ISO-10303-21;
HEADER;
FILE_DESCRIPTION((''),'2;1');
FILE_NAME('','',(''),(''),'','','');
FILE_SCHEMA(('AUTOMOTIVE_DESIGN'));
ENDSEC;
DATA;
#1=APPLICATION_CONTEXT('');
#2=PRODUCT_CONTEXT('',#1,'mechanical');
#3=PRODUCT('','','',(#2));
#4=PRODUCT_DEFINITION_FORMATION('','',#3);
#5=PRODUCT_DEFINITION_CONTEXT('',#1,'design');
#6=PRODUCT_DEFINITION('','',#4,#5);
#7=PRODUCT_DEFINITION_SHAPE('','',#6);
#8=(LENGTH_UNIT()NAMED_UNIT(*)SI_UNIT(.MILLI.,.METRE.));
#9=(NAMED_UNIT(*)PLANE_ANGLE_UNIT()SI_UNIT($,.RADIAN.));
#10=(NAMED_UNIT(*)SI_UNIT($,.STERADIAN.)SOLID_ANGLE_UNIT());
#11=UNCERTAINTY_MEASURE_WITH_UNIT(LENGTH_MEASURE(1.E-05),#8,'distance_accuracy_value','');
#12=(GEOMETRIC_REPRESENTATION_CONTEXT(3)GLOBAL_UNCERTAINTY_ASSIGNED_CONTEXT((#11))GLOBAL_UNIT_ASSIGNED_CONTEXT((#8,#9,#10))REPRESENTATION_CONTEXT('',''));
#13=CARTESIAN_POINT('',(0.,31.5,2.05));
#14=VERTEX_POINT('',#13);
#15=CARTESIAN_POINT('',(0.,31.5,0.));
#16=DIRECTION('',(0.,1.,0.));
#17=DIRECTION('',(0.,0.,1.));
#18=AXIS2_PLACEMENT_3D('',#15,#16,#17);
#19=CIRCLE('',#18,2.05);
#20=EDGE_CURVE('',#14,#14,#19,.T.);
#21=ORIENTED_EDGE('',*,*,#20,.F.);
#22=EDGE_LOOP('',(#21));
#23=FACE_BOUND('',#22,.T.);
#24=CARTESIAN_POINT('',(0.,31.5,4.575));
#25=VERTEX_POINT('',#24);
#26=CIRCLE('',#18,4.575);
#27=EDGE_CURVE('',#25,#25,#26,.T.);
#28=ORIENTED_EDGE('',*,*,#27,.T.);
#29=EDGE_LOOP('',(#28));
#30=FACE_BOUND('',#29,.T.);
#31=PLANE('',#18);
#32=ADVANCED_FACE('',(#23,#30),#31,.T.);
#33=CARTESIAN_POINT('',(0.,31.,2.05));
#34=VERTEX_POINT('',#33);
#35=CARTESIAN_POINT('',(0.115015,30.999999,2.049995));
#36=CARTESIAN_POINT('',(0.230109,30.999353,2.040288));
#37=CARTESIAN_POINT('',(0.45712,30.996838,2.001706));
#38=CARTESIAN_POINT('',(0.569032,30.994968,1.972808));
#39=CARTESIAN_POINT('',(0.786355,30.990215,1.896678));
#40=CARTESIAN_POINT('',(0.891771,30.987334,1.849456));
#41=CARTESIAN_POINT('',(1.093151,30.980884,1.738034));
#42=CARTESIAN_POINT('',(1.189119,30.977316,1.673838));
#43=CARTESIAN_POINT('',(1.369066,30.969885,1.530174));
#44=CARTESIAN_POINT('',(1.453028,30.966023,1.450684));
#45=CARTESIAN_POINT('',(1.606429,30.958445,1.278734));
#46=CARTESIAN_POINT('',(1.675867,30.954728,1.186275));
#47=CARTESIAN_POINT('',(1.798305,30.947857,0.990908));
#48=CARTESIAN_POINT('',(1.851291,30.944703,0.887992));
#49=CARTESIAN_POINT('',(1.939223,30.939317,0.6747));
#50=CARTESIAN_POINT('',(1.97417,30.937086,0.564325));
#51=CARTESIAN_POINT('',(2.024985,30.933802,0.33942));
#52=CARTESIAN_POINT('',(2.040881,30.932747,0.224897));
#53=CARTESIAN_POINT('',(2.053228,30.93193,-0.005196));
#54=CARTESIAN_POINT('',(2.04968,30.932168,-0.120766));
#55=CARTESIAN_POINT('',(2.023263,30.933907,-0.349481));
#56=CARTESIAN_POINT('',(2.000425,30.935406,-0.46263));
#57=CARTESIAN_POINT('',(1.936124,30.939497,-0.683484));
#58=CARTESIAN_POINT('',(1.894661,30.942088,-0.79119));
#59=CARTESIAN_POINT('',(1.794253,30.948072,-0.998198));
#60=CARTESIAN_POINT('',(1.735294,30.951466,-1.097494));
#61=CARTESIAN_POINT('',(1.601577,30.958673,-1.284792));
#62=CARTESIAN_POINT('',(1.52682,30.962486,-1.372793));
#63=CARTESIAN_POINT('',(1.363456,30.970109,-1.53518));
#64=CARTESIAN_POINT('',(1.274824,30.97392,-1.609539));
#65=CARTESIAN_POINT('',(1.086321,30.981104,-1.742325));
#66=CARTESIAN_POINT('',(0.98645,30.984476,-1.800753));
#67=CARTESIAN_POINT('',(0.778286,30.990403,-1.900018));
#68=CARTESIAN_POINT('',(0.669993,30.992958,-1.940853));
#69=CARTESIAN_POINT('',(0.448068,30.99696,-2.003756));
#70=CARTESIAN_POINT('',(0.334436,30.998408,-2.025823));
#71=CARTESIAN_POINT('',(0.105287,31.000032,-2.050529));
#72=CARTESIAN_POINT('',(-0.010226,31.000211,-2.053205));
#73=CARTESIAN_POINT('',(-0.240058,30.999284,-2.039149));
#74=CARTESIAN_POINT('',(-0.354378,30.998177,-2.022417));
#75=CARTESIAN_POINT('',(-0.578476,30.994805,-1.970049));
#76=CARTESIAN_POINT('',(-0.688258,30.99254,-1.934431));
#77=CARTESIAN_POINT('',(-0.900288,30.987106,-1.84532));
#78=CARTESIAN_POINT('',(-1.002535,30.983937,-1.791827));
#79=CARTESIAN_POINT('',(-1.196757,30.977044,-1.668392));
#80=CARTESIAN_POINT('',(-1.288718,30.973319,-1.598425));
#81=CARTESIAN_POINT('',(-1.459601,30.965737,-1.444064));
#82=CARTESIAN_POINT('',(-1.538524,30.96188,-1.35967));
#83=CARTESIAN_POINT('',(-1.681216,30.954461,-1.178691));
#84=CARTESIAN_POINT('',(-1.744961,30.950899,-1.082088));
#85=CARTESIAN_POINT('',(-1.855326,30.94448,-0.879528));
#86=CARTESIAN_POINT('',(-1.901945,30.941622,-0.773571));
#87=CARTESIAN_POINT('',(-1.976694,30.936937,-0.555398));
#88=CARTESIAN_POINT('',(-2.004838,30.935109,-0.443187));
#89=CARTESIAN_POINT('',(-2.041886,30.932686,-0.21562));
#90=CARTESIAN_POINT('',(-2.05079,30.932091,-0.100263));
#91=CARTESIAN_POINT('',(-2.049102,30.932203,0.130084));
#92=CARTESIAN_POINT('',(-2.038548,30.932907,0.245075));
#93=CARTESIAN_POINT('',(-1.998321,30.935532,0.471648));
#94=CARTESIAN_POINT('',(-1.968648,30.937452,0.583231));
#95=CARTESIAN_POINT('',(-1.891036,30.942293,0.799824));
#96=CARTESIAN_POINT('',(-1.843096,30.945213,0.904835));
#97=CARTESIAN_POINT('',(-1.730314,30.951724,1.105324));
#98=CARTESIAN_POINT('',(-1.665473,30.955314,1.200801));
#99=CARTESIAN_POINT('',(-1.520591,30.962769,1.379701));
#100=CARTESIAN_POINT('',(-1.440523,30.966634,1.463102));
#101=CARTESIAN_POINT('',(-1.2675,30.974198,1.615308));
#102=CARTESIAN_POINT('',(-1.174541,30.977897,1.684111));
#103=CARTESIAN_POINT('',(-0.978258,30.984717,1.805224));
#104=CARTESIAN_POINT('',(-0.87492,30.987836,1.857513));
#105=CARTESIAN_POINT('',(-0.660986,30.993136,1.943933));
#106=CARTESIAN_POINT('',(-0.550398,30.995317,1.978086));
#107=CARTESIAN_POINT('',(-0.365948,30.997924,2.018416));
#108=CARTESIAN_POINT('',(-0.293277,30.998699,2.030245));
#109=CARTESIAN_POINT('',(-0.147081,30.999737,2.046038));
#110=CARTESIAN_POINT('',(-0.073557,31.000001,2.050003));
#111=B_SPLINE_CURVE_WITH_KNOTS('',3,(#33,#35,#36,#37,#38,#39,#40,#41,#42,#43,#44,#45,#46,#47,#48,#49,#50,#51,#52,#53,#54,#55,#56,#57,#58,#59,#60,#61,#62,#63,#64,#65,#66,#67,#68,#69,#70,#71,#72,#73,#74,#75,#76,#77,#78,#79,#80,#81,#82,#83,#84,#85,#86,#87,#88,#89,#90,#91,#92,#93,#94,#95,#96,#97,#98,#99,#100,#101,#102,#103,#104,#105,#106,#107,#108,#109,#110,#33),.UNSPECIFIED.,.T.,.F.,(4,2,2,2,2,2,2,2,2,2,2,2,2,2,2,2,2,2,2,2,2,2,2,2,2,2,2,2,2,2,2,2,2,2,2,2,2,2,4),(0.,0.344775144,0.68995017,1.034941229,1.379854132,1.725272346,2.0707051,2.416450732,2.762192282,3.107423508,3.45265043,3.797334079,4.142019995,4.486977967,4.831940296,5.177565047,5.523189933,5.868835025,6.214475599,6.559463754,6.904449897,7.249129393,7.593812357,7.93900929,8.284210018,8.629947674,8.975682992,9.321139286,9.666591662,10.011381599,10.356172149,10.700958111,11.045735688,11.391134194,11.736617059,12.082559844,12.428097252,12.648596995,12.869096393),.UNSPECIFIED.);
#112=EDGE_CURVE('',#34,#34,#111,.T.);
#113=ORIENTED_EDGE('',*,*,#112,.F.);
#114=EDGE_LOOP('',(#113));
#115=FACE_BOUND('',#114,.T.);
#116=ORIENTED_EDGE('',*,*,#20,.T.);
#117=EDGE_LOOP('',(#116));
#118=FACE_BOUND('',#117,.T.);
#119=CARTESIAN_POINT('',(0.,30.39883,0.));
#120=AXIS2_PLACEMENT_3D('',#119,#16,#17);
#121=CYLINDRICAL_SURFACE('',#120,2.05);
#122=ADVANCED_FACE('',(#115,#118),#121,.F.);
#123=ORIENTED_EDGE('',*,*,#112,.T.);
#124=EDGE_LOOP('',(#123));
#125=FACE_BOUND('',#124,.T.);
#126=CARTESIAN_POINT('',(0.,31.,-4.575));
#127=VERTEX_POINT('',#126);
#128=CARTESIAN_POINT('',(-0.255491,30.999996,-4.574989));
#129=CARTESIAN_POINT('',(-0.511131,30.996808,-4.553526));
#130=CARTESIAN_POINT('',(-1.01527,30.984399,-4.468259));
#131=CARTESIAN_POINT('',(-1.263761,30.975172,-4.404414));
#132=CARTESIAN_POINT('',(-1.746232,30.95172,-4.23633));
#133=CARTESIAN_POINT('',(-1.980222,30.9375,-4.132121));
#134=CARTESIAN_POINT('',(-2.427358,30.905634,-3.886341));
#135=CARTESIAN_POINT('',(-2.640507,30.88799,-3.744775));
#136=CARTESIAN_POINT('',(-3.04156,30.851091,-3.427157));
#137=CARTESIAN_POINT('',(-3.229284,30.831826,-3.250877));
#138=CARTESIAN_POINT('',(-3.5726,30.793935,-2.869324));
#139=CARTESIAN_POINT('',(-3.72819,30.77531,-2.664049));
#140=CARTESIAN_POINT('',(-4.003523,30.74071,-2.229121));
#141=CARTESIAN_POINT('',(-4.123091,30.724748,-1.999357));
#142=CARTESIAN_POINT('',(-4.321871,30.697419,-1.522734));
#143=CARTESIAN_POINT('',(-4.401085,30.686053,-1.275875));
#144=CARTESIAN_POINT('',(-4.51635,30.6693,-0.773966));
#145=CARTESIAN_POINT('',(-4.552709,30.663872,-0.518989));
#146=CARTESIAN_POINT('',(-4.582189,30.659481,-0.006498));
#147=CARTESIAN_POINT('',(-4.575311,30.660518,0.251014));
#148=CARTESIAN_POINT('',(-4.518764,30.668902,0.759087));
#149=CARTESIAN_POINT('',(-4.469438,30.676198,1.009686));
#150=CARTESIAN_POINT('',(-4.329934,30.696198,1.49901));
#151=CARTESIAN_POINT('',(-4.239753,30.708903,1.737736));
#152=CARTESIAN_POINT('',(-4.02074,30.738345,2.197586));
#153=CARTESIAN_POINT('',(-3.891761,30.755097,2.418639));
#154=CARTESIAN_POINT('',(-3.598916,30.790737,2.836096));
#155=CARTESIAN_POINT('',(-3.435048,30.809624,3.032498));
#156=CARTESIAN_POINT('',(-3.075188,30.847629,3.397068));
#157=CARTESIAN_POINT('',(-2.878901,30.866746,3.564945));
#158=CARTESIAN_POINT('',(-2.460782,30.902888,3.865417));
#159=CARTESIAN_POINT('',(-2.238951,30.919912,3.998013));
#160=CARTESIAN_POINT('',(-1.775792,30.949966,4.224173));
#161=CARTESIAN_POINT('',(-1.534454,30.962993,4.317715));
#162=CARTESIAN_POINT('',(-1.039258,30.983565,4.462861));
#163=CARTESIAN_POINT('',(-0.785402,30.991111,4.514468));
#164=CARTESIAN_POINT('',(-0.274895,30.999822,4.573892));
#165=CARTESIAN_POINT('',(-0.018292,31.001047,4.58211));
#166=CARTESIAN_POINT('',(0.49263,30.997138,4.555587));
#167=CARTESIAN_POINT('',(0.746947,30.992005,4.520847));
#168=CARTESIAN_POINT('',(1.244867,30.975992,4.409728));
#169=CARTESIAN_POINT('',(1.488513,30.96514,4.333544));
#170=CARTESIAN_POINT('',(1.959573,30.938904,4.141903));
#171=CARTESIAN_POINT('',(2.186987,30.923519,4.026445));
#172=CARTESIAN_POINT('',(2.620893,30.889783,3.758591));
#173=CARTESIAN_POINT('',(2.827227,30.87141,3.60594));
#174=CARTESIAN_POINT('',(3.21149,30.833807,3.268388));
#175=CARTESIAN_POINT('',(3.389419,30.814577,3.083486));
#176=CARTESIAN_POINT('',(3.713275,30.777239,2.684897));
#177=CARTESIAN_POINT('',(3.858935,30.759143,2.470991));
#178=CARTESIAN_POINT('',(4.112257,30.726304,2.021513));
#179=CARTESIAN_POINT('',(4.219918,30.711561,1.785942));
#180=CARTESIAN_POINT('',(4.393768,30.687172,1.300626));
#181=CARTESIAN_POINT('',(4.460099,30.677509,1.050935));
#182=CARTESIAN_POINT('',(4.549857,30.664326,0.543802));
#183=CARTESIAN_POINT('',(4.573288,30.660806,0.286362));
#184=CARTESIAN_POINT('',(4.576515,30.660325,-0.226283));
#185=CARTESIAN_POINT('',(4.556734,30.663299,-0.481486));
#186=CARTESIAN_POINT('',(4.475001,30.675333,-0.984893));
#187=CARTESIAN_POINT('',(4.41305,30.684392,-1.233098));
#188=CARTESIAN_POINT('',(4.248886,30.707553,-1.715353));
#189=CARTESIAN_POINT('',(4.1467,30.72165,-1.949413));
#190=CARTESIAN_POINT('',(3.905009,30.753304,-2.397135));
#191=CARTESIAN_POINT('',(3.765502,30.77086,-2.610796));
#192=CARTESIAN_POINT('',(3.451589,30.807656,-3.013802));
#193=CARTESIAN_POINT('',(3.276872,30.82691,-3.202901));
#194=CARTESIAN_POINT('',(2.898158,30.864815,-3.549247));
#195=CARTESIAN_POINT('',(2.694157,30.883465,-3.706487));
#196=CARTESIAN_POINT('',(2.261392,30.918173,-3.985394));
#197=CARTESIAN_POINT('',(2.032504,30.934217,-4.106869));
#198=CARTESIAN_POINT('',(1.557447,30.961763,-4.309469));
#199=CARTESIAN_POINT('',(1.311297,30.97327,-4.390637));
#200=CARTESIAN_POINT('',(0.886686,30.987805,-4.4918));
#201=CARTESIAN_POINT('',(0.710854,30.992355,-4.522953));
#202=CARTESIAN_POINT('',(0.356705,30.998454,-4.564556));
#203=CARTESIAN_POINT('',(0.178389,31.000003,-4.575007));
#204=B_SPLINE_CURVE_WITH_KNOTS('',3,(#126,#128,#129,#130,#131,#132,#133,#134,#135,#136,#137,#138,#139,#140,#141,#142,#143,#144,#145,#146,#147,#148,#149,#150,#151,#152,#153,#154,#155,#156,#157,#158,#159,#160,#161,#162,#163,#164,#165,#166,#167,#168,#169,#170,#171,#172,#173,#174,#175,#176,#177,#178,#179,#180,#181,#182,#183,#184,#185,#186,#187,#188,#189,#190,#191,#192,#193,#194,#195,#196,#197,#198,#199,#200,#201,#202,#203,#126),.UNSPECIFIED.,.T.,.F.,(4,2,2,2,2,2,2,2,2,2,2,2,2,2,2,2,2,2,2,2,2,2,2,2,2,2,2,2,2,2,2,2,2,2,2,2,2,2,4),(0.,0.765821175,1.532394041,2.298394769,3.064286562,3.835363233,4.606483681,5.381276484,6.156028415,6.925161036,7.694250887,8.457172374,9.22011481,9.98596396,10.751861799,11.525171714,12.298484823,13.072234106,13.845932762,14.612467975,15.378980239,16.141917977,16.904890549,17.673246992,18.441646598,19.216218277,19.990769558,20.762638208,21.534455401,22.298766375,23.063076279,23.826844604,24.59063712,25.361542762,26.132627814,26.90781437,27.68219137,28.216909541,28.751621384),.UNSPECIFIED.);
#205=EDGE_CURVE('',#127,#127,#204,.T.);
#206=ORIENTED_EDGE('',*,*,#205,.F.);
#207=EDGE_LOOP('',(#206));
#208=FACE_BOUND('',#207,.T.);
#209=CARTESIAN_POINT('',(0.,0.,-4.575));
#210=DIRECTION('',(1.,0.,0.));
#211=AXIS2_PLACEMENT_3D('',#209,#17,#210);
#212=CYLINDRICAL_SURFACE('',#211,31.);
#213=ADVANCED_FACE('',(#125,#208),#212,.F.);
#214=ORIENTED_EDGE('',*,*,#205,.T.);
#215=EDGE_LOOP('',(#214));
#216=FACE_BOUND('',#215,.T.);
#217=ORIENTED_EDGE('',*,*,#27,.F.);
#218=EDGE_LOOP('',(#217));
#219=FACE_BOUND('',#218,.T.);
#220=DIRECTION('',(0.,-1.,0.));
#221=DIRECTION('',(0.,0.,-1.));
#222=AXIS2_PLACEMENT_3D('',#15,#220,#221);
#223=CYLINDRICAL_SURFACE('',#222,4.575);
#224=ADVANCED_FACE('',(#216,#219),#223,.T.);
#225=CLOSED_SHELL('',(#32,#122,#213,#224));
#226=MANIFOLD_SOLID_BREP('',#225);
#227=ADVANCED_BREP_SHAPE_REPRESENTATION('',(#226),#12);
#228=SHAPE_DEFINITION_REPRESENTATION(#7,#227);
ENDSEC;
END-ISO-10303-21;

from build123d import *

# Parameters (mm, degrees)
SKETCH2_R               = 4.575
BOSS_EXTRUDE1_DEPTH     = 31.5
CUT_EXTRUDE1_DEPTH      = 33.15760019
CUT_EXTRUDE1_DEPTH_BACK = 33.15760019
SKETCH1_R               = 31
CUT_EXTRUDE2_DEPTH      = 7.524256813
CUT_EXTRUDE2_DEPTH_BACK = 7.524256813
SKETCH3_R               = 2.05


with BuildPart() as part:
    # Sketch2 → Boss-Extrude1 (new body)
    with BuildSketch(Plane(origin=(0, 0, 0), x_dir=(-1, 0, 0), z_dir=(0, 1, 0))):
        with Locations(Location((0, 0, 0), (0, 0, 90))):
            Circle(SKETCH2_R)
    extrude(amount=BOSS_EXTRUDE1_DEPTH)

    # Sketch1 → Cut-Extrude1 (cut, two sides: drawn at the far end of the back side and taken through both)
    with BuildSketch(Plane(origin=(0, 0, 0), x_dir=(0, 1, 0), z_dir=(0, 0, 1)).offset(-CUT_EXTRUDE1_DEPTH_BACK)):
        Circle(SKETCH1_R)
    extrude(amount=CUT_EXTRUDE1_DEPTH + CUT_EXTRUDE1_DEPTH_BACK, mode=Mode.SUBTRACT)

    # Sketch3 → Cut-Extrude2 (cut, two sides: drawn at the far end of the back side and taken through both)
    with BuildSketch(Plane(origin=(0, 31.5, 0), x_dir=(-1, 0, 0), z_dir=(0, 1, 0)).offset(-CUT_EXTRUDE2_DEPTH_BACK)):
        with Locations(Location((0, 0, 0), (0, 0, 90))):
            Circle(SKETCH3_R)
    extrude(amount=CUT_EXTRUDE2_DEPTH + CUT_EXTRUDE2_DEPTH_BACK, mode=Mode.SUBTRACT)


solid = part.part
